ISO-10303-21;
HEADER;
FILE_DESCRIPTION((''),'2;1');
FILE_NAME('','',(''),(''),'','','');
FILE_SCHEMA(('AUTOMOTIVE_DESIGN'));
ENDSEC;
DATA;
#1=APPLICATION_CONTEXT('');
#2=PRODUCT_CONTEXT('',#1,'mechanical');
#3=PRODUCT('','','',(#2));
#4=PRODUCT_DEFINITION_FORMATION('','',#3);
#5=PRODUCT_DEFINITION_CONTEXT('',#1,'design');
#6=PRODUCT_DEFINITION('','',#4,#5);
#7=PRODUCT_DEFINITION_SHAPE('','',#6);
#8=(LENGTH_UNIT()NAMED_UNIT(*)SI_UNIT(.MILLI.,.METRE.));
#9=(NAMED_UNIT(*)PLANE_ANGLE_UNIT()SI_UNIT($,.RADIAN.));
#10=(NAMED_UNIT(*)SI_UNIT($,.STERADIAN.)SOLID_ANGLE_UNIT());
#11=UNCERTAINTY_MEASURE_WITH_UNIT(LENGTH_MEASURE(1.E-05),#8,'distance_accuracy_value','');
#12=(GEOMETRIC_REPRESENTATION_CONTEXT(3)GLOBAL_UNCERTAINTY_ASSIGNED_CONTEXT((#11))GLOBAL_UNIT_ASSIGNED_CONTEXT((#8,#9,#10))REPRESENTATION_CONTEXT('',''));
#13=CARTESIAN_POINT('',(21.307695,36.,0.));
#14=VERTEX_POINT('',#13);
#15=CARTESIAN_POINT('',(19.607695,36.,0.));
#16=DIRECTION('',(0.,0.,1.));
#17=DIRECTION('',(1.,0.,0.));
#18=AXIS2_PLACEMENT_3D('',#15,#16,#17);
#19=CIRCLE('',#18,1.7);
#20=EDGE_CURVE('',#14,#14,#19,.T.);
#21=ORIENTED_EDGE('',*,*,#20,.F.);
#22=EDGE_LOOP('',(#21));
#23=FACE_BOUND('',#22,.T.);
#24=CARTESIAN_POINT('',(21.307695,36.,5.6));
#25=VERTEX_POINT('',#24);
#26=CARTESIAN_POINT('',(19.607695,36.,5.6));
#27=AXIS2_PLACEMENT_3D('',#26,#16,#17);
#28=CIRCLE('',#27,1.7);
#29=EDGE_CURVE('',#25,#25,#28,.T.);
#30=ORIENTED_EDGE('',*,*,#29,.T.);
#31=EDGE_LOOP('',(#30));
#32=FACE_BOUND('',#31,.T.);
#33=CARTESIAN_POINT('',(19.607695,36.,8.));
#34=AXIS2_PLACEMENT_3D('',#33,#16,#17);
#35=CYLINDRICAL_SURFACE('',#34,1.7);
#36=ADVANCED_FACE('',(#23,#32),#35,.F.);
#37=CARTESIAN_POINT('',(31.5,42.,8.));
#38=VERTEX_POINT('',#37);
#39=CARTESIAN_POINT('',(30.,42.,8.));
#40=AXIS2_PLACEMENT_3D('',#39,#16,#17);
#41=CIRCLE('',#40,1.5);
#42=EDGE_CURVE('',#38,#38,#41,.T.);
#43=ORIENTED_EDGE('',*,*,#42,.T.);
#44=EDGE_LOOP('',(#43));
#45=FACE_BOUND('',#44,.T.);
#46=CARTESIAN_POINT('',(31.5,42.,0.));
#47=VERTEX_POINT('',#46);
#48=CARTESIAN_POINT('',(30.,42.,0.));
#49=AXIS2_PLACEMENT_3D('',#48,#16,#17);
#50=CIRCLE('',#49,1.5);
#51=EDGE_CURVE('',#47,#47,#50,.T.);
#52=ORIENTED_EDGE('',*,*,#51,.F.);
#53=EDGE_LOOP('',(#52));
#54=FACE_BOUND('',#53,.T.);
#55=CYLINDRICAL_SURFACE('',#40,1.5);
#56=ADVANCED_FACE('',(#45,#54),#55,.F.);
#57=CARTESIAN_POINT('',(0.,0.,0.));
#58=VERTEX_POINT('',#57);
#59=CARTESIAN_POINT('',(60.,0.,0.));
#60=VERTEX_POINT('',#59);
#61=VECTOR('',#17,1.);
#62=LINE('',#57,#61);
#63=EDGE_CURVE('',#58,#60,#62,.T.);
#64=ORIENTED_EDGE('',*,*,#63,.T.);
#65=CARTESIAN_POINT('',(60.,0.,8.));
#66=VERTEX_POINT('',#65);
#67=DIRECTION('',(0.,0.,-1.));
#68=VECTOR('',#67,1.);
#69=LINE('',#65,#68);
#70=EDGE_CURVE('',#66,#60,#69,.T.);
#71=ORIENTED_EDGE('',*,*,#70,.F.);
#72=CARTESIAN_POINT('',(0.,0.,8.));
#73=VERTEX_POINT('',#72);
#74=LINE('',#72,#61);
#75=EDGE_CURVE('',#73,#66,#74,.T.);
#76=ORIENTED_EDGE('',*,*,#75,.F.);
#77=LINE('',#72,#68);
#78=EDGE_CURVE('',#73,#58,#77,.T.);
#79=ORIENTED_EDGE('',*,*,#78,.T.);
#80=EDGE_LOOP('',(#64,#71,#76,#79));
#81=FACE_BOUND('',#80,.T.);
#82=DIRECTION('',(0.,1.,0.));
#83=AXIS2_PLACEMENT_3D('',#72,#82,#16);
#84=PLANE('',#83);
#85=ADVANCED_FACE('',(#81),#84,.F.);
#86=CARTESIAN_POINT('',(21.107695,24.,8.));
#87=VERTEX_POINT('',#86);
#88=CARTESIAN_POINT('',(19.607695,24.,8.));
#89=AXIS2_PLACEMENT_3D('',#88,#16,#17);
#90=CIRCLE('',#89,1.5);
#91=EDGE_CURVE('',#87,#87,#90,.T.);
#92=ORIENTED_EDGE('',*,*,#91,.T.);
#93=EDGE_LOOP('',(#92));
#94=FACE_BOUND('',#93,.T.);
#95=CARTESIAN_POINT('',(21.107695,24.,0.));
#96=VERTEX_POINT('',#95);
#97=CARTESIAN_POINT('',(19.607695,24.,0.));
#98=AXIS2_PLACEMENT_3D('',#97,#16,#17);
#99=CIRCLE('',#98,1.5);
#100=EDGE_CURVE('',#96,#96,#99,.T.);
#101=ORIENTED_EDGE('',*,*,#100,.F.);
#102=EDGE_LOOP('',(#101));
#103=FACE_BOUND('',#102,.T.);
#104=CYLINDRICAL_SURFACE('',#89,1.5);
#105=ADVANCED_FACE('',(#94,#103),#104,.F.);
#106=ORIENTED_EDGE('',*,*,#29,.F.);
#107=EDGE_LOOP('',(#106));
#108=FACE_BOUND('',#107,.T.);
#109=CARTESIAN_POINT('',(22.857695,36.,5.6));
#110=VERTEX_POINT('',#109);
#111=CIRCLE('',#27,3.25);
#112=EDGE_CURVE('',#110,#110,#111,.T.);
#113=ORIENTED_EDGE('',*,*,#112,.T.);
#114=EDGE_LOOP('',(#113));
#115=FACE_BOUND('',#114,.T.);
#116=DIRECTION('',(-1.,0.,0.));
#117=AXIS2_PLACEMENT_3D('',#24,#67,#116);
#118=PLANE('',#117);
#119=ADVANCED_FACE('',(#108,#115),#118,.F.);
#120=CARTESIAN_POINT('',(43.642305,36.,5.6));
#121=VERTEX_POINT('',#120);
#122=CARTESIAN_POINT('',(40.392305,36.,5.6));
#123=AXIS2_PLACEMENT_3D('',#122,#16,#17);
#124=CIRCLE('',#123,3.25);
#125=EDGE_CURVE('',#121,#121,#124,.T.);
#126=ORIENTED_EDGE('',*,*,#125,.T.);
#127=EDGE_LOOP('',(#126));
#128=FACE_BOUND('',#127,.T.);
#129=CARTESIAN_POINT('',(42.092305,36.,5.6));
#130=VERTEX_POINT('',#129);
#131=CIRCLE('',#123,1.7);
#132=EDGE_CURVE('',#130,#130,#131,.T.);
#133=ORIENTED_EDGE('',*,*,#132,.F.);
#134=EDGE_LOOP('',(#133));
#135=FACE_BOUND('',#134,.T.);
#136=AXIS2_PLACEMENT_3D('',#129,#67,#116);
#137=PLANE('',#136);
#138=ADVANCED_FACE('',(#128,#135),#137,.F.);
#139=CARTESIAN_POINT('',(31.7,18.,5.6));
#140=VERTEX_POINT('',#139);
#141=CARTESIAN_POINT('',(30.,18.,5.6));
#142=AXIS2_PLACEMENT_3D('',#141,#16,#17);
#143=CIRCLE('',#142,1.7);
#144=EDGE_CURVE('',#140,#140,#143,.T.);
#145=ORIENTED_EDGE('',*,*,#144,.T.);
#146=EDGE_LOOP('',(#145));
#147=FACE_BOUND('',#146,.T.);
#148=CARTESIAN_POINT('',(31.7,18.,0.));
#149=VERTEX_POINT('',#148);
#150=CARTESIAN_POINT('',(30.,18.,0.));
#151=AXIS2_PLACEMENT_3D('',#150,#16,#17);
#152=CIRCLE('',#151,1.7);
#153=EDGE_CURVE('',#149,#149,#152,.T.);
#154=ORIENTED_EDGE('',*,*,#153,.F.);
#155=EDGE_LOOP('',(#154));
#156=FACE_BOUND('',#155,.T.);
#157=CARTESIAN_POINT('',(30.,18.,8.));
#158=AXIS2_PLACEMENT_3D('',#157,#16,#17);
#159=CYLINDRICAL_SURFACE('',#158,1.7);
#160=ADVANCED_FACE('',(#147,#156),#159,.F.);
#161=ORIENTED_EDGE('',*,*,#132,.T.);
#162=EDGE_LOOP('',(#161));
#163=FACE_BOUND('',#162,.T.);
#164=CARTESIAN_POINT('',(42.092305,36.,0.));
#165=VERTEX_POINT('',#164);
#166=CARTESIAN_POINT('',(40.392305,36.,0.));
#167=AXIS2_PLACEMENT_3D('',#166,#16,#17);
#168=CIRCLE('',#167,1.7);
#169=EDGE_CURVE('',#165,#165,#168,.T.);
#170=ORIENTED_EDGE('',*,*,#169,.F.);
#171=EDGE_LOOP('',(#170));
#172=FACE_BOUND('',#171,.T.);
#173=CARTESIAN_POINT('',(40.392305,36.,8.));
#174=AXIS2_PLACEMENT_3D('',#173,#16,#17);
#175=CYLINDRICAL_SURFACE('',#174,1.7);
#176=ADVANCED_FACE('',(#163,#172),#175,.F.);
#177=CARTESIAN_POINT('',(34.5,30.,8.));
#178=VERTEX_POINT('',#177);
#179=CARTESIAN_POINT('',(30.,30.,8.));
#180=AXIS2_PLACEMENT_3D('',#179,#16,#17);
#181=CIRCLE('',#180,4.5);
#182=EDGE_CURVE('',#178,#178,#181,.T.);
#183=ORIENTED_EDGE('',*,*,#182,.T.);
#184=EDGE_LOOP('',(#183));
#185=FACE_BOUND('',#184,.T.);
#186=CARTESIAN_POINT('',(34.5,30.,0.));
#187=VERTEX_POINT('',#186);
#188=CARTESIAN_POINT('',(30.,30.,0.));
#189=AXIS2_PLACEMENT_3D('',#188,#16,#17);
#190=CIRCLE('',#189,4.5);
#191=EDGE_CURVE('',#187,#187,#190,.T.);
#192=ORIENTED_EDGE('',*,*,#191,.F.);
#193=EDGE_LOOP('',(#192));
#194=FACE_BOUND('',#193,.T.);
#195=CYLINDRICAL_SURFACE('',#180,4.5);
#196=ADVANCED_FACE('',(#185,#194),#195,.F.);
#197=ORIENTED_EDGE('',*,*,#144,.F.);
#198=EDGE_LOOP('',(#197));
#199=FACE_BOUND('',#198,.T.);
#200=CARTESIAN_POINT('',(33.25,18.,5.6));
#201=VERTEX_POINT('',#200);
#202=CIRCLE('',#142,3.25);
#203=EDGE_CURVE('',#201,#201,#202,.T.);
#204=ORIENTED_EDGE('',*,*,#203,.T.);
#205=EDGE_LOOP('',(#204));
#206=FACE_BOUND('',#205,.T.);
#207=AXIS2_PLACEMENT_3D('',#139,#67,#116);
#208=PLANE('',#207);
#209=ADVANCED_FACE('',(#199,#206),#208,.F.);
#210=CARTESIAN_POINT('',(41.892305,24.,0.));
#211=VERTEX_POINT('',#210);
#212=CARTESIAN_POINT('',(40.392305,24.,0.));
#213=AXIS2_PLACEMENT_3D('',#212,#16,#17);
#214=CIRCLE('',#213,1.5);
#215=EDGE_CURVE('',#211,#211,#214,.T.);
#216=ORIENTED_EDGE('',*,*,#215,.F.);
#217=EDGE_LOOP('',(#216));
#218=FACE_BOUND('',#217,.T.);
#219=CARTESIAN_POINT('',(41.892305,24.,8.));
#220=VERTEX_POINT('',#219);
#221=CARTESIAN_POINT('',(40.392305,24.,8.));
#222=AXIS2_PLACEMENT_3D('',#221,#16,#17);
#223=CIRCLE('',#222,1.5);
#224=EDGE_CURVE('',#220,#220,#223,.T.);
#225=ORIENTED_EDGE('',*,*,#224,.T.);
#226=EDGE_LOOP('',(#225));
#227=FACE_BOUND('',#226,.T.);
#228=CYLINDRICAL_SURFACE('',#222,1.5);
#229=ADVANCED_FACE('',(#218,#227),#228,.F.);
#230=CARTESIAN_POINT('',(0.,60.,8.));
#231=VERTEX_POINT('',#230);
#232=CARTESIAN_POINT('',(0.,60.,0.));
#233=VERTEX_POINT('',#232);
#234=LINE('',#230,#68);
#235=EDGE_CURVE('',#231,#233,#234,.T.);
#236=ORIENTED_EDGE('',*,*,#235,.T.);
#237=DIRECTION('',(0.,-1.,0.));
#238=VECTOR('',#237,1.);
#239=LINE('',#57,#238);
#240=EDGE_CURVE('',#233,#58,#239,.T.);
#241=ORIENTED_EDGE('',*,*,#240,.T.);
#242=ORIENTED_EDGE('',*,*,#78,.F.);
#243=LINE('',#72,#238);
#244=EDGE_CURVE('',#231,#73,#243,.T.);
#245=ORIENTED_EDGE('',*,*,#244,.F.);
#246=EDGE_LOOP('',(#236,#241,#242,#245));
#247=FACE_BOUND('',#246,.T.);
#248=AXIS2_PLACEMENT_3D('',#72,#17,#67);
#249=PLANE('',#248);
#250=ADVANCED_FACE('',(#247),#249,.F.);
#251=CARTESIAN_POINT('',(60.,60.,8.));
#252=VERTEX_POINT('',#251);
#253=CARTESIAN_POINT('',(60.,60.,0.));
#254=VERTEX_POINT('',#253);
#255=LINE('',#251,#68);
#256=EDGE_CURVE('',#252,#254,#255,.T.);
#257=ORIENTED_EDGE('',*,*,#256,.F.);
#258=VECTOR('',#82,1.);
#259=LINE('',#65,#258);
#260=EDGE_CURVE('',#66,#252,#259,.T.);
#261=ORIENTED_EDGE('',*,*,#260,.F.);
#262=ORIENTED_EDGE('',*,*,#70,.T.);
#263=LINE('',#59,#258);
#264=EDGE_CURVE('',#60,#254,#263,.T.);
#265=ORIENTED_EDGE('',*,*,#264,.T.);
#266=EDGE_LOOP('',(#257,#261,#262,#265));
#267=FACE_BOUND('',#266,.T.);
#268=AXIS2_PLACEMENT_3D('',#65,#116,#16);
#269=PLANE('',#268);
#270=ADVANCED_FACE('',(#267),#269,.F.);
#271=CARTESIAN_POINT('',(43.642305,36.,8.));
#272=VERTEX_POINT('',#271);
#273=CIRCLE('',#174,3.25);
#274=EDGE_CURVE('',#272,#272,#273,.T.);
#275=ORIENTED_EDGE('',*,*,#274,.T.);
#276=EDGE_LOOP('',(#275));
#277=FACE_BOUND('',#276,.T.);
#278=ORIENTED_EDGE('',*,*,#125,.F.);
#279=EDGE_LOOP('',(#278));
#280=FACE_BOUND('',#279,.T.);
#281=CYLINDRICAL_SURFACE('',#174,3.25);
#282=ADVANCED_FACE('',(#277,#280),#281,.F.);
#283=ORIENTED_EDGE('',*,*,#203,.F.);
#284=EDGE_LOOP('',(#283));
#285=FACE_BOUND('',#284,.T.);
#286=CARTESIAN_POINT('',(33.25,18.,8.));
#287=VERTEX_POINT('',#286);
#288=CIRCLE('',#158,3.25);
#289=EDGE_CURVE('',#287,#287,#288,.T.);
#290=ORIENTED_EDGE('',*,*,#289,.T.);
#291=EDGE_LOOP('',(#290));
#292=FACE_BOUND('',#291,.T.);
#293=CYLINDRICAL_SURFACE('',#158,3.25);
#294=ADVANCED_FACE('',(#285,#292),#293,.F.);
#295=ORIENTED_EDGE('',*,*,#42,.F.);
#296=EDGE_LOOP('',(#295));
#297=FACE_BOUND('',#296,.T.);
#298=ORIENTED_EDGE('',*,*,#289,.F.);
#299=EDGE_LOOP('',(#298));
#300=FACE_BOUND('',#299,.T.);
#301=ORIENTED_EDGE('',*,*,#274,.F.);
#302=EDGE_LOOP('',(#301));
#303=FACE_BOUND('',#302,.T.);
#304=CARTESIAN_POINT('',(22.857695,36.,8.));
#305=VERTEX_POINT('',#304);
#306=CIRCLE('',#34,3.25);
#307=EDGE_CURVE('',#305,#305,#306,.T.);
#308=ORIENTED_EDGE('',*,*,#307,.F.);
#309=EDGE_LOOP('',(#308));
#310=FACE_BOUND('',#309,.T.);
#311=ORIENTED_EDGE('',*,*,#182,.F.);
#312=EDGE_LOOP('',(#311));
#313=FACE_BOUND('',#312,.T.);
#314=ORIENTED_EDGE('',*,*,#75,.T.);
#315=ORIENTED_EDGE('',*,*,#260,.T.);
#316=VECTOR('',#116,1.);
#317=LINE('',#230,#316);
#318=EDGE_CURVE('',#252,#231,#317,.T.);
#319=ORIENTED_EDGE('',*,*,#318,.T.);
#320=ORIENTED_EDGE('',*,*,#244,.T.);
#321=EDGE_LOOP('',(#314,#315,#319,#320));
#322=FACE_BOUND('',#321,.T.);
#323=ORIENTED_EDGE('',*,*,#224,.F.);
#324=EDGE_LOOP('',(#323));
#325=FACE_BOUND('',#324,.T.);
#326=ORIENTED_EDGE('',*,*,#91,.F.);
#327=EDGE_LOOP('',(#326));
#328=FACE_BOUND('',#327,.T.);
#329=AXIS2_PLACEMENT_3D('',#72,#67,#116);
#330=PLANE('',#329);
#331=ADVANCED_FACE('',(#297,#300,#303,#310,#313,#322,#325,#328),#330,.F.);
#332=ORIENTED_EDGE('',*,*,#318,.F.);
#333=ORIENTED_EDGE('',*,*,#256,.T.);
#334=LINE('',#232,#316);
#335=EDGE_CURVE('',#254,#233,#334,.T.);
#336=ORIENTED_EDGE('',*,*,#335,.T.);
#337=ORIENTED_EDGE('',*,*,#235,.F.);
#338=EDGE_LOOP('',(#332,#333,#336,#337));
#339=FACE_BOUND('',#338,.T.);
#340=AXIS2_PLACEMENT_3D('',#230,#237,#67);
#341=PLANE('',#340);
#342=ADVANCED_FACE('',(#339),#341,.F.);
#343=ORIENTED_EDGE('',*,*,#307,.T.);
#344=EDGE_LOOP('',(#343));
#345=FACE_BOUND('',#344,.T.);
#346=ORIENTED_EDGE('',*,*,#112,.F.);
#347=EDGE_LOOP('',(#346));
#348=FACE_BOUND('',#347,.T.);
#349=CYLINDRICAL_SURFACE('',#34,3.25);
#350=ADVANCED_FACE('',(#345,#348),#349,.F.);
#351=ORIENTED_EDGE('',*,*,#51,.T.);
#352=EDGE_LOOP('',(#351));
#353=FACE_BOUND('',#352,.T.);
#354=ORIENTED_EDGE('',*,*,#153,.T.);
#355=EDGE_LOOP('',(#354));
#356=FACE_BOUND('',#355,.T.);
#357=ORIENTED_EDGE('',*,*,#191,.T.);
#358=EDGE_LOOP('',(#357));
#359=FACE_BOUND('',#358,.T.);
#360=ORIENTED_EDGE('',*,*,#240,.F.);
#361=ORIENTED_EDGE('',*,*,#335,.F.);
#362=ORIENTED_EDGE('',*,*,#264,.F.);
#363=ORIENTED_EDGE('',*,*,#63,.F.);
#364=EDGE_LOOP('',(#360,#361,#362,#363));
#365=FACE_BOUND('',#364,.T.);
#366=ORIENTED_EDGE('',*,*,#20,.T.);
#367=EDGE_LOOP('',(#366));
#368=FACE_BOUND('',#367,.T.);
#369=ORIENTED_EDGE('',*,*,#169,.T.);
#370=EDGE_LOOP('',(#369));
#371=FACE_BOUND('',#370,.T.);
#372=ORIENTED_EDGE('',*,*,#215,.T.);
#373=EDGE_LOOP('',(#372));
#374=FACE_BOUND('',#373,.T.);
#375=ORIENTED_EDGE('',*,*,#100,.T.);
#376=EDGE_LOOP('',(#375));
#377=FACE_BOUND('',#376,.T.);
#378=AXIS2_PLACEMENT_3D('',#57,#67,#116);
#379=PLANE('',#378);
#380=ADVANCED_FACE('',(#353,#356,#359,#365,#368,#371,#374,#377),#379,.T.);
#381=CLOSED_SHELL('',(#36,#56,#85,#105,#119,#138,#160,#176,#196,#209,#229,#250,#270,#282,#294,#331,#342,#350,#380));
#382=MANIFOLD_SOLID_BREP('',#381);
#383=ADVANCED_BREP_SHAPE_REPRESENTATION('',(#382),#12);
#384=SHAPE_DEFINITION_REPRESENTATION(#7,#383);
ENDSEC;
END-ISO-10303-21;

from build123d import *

# Parameters (mm, degrees)
SKETCH1_W                                            = 60
SKETCH1_H                                            = 60
BOSS_EXTRUDE1_DEPTH                                  = 8
M8_CLEARANCE_HOLE1_D                                 = 9
F_3_0MM_DOWEL_HOLE1_D                                = 3
CBORE_FOR_M3_HEX_SOCKET_THIN_HEAD_CAP_SC_D           = 3.4
CBORE_FOR_M3_HEX_SOCKET_THIN_HEAD_CAP_SC_CBORE_D     = 6.5
CBORE_FOR_M3_HEX_SOCKET_THIN_HEAD_CAP_SC_CBORE_DEPTH = 2.4


with BuildPart() as part:
    # Sketch1 → Boss-Extrude1 (new body)
    with BuildSketch(Plane.XY):
        with Locations((30, 30)):
            Rectangle(SKETCH1_W, SKETCH1_H)
    extrude(amount=BOSS_EXTRUDE1_DEPTH)

    # M8 Clearance Hole1 (through all)
    with Locations(Plane.XY.offset(8)):
        with Locations((30, 30)):
            Hole(M8_CLEARANCE_HOLE1_D / 2)

    # Ø3.0mm Dowel Hole1 (through all)
    with Locations(Plane.XY.offset(8)):
        with Locations((19.607695155, 24), (30, 42), (40.392304845, 24)):
            Hole(F_3_0MM_DOWEL_HOLE1_D / 2)

    # CBORE for M3 Hex Socket Thin Head Cap Screw1 (through all)
    with Locations(Plane.XY.offset(8)):
        with Locations((40.392304845, 36), (30, 18), (19.607695155, 36)):
            CounterBoreHole(CBORE_FOR_M3_HEX_SOCKET_THIN_HEAD_CAP_SC_D / 2, CBORE_FOR_M3_HEX_SOCKET_THIN_HEAD_CAP_SC_CBORE_D / 2, CBORE_FOR_M3_HEX_SOCKET_THIN_HEAD_CAP_SC_CBORE_DEPTH)


solid = part.part
